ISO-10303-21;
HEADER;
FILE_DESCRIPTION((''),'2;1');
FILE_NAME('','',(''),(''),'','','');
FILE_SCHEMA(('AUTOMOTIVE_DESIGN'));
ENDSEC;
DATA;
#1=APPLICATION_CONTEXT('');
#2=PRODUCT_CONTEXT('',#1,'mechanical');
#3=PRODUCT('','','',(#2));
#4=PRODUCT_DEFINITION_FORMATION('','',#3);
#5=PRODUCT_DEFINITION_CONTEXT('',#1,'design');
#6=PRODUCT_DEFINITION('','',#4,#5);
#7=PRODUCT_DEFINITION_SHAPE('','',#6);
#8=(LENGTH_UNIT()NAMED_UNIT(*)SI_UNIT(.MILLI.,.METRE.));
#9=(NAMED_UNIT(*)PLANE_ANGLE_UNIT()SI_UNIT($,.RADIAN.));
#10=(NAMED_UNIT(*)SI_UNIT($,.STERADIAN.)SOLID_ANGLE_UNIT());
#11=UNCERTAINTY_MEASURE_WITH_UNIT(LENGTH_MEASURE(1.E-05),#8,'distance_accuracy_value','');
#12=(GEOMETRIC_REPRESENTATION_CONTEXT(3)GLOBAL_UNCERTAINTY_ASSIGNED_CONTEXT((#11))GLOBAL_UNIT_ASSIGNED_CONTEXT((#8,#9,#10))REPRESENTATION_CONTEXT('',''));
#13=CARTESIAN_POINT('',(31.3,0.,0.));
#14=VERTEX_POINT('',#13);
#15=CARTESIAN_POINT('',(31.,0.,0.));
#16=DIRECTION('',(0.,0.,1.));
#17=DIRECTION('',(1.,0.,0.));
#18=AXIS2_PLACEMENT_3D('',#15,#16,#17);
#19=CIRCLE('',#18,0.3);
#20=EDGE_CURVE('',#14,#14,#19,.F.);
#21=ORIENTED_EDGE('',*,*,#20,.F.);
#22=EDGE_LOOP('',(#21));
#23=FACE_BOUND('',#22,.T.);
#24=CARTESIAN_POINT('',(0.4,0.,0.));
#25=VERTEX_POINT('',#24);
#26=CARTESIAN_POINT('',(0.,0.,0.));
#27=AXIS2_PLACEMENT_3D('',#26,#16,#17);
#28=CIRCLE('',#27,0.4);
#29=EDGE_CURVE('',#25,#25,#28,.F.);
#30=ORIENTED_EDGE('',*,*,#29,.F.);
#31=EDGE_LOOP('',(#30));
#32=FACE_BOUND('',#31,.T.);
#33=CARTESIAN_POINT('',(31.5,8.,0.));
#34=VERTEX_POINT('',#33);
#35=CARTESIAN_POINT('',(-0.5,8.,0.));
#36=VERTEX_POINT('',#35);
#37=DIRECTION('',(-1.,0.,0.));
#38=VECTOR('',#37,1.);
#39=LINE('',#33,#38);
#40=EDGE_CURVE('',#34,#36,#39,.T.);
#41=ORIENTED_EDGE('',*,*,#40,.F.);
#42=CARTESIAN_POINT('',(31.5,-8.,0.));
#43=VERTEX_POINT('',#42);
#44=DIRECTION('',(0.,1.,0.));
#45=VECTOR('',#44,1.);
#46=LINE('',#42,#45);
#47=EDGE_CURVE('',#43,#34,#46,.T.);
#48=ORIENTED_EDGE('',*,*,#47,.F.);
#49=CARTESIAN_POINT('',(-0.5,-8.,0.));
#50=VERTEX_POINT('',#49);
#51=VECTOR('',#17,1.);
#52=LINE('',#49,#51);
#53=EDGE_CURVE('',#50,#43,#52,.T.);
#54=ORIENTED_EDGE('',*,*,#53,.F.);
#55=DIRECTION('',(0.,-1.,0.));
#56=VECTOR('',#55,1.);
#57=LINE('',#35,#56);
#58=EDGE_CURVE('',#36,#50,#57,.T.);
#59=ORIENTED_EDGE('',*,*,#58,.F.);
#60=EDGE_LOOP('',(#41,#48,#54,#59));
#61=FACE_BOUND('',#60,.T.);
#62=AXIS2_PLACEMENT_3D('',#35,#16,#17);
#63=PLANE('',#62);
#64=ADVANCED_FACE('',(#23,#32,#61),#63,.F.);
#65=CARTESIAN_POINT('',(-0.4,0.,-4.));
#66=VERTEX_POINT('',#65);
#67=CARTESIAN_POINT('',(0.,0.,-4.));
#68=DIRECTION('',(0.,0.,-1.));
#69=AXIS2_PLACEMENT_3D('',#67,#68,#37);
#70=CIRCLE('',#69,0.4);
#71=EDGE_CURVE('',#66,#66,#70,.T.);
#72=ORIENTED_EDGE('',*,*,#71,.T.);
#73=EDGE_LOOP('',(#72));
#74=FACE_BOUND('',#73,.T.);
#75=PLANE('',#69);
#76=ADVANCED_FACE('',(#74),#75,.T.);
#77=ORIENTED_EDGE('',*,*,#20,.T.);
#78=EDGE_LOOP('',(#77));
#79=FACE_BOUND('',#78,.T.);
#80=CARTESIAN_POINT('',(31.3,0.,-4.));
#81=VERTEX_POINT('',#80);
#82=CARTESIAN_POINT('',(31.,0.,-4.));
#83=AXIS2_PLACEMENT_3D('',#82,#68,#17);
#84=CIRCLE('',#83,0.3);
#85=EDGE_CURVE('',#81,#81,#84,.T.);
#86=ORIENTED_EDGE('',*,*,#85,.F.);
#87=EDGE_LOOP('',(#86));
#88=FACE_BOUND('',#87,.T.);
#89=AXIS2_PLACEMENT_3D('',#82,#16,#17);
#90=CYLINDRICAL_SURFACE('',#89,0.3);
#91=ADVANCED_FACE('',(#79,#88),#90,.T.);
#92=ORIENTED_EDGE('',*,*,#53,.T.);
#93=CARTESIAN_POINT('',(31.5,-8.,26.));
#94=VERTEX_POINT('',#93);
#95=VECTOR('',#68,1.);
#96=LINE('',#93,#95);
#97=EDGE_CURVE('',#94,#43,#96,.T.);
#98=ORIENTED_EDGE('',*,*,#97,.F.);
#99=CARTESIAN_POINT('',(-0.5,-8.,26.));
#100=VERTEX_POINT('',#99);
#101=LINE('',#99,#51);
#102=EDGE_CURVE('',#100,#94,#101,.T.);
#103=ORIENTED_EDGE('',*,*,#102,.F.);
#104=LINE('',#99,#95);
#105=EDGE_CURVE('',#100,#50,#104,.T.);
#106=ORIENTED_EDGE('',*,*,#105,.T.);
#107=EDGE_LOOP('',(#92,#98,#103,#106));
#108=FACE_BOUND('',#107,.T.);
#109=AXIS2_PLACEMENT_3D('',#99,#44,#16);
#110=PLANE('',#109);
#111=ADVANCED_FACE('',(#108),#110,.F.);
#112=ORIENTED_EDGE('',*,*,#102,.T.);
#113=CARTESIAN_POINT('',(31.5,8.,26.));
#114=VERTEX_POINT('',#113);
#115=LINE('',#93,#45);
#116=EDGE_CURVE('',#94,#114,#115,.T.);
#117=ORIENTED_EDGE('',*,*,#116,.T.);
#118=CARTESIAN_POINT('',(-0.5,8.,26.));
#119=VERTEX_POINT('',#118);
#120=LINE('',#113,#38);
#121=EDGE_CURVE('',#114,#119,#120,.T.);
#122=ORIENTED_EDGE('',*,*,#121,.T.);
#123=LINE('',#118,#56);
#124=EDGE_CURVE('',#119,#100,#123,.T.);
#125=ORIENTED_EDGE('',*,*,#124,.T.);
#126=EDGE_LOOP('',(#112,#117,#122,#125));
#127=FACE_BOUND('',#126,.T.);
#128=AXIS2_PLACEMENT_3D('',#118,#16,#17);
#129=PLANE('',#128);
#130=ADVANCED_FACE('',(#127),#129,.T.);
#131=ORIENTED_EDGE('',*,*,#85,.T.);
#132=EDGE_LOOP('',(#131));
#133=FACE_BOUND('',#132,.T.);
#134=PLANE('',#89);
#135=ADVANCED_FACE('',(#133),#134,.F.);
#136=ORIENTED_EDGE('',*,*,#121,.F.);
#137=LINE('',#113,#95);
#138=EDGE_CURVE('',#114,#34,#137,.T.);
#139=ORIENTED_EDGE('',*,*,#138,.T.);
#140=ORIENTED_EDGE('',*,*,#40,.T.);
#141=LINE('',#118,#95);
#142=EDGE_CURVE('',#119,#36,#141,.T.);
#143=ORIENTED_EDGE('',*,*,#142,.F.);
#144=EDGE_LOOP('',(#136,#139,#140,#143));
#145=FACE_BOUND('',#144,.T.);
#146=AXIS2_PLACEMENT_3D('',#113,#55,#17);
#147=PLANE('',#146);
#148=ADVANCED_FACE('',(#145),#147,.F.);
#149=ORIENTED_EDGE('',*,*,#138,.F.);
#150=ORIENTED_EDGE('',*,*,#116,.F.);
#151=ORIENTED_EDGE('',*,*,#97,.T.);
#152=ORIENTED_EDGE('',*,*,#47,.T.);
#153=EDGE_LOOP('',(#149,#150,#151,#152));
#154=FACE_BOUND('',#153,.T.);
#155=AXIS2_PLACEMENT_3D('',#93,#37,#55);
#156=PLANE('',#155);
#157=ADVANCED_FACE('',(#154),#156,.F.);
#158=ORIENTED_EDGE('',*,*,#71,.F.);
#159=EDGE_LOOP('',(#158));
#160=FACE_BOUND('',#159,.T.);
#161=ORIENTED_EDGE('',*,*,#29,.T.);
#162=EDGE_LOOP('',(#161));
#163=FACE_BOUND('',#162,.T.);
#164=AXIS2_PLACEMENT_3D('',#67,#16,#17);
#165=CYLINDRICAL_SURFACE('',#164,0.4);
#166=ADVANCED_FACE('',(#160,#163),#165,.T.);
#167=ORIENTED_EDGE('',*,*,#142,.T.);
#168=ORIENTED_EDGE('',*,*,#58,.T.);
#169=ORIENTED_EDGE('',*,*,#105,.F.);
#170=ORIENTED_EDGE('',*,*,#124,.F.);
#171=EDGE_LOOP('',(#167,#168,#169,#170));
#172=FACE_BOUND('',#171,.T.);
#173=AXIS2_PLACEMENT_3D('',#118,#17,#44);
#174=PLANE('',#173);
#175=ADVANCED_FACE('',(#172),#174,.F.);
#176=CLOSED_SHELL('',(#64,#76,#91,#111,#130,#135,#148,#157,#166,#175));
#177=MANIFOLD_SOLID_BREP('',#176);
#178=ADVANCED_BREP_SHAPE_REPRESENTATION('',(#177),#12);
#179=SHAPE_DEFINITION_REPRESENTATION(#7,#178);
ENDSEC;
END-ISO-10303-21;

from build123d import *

# Parameters (mm, degrees)
SKETCH_2_W      = 32
SKETCH_2_H      = 16
EXTRUDE_1_DEPTH = 26
SKETCH_3_R      = 0.4
SKETCH_3_R_2    = 0.3
EXTRUDE_2_DEPTH = 4


with BuildPart() as part:
    # Эскиз2 → Вытянуть1 (new body)
    with BuildSketch(Plane.XY):
        with Locations((15.5, 0)):
            Rectangle(SKETCH_2_W, SKETCH_2_H)
    extrude(amount=EXTRUDE_1_DEPTH)

    # Эскиз3 → Вытянуть2 (add)
    with BuildSketch(Plane(origin=(0, 0, 0), x_dir=(-1, 0, 0), z_dir=(0, 0, -1))):
        with Locations(Location((0, 0, 0), (0, 0, 180))):
            Circle(SKETCH_3_R)
        with Locations(Location((-31, 0, 0), (0, 0, 180))):
            Circle(SKETCH_3_R_2)
    extrude(amount=EXTRUDE_2_DEPTH)


solid = part.part
